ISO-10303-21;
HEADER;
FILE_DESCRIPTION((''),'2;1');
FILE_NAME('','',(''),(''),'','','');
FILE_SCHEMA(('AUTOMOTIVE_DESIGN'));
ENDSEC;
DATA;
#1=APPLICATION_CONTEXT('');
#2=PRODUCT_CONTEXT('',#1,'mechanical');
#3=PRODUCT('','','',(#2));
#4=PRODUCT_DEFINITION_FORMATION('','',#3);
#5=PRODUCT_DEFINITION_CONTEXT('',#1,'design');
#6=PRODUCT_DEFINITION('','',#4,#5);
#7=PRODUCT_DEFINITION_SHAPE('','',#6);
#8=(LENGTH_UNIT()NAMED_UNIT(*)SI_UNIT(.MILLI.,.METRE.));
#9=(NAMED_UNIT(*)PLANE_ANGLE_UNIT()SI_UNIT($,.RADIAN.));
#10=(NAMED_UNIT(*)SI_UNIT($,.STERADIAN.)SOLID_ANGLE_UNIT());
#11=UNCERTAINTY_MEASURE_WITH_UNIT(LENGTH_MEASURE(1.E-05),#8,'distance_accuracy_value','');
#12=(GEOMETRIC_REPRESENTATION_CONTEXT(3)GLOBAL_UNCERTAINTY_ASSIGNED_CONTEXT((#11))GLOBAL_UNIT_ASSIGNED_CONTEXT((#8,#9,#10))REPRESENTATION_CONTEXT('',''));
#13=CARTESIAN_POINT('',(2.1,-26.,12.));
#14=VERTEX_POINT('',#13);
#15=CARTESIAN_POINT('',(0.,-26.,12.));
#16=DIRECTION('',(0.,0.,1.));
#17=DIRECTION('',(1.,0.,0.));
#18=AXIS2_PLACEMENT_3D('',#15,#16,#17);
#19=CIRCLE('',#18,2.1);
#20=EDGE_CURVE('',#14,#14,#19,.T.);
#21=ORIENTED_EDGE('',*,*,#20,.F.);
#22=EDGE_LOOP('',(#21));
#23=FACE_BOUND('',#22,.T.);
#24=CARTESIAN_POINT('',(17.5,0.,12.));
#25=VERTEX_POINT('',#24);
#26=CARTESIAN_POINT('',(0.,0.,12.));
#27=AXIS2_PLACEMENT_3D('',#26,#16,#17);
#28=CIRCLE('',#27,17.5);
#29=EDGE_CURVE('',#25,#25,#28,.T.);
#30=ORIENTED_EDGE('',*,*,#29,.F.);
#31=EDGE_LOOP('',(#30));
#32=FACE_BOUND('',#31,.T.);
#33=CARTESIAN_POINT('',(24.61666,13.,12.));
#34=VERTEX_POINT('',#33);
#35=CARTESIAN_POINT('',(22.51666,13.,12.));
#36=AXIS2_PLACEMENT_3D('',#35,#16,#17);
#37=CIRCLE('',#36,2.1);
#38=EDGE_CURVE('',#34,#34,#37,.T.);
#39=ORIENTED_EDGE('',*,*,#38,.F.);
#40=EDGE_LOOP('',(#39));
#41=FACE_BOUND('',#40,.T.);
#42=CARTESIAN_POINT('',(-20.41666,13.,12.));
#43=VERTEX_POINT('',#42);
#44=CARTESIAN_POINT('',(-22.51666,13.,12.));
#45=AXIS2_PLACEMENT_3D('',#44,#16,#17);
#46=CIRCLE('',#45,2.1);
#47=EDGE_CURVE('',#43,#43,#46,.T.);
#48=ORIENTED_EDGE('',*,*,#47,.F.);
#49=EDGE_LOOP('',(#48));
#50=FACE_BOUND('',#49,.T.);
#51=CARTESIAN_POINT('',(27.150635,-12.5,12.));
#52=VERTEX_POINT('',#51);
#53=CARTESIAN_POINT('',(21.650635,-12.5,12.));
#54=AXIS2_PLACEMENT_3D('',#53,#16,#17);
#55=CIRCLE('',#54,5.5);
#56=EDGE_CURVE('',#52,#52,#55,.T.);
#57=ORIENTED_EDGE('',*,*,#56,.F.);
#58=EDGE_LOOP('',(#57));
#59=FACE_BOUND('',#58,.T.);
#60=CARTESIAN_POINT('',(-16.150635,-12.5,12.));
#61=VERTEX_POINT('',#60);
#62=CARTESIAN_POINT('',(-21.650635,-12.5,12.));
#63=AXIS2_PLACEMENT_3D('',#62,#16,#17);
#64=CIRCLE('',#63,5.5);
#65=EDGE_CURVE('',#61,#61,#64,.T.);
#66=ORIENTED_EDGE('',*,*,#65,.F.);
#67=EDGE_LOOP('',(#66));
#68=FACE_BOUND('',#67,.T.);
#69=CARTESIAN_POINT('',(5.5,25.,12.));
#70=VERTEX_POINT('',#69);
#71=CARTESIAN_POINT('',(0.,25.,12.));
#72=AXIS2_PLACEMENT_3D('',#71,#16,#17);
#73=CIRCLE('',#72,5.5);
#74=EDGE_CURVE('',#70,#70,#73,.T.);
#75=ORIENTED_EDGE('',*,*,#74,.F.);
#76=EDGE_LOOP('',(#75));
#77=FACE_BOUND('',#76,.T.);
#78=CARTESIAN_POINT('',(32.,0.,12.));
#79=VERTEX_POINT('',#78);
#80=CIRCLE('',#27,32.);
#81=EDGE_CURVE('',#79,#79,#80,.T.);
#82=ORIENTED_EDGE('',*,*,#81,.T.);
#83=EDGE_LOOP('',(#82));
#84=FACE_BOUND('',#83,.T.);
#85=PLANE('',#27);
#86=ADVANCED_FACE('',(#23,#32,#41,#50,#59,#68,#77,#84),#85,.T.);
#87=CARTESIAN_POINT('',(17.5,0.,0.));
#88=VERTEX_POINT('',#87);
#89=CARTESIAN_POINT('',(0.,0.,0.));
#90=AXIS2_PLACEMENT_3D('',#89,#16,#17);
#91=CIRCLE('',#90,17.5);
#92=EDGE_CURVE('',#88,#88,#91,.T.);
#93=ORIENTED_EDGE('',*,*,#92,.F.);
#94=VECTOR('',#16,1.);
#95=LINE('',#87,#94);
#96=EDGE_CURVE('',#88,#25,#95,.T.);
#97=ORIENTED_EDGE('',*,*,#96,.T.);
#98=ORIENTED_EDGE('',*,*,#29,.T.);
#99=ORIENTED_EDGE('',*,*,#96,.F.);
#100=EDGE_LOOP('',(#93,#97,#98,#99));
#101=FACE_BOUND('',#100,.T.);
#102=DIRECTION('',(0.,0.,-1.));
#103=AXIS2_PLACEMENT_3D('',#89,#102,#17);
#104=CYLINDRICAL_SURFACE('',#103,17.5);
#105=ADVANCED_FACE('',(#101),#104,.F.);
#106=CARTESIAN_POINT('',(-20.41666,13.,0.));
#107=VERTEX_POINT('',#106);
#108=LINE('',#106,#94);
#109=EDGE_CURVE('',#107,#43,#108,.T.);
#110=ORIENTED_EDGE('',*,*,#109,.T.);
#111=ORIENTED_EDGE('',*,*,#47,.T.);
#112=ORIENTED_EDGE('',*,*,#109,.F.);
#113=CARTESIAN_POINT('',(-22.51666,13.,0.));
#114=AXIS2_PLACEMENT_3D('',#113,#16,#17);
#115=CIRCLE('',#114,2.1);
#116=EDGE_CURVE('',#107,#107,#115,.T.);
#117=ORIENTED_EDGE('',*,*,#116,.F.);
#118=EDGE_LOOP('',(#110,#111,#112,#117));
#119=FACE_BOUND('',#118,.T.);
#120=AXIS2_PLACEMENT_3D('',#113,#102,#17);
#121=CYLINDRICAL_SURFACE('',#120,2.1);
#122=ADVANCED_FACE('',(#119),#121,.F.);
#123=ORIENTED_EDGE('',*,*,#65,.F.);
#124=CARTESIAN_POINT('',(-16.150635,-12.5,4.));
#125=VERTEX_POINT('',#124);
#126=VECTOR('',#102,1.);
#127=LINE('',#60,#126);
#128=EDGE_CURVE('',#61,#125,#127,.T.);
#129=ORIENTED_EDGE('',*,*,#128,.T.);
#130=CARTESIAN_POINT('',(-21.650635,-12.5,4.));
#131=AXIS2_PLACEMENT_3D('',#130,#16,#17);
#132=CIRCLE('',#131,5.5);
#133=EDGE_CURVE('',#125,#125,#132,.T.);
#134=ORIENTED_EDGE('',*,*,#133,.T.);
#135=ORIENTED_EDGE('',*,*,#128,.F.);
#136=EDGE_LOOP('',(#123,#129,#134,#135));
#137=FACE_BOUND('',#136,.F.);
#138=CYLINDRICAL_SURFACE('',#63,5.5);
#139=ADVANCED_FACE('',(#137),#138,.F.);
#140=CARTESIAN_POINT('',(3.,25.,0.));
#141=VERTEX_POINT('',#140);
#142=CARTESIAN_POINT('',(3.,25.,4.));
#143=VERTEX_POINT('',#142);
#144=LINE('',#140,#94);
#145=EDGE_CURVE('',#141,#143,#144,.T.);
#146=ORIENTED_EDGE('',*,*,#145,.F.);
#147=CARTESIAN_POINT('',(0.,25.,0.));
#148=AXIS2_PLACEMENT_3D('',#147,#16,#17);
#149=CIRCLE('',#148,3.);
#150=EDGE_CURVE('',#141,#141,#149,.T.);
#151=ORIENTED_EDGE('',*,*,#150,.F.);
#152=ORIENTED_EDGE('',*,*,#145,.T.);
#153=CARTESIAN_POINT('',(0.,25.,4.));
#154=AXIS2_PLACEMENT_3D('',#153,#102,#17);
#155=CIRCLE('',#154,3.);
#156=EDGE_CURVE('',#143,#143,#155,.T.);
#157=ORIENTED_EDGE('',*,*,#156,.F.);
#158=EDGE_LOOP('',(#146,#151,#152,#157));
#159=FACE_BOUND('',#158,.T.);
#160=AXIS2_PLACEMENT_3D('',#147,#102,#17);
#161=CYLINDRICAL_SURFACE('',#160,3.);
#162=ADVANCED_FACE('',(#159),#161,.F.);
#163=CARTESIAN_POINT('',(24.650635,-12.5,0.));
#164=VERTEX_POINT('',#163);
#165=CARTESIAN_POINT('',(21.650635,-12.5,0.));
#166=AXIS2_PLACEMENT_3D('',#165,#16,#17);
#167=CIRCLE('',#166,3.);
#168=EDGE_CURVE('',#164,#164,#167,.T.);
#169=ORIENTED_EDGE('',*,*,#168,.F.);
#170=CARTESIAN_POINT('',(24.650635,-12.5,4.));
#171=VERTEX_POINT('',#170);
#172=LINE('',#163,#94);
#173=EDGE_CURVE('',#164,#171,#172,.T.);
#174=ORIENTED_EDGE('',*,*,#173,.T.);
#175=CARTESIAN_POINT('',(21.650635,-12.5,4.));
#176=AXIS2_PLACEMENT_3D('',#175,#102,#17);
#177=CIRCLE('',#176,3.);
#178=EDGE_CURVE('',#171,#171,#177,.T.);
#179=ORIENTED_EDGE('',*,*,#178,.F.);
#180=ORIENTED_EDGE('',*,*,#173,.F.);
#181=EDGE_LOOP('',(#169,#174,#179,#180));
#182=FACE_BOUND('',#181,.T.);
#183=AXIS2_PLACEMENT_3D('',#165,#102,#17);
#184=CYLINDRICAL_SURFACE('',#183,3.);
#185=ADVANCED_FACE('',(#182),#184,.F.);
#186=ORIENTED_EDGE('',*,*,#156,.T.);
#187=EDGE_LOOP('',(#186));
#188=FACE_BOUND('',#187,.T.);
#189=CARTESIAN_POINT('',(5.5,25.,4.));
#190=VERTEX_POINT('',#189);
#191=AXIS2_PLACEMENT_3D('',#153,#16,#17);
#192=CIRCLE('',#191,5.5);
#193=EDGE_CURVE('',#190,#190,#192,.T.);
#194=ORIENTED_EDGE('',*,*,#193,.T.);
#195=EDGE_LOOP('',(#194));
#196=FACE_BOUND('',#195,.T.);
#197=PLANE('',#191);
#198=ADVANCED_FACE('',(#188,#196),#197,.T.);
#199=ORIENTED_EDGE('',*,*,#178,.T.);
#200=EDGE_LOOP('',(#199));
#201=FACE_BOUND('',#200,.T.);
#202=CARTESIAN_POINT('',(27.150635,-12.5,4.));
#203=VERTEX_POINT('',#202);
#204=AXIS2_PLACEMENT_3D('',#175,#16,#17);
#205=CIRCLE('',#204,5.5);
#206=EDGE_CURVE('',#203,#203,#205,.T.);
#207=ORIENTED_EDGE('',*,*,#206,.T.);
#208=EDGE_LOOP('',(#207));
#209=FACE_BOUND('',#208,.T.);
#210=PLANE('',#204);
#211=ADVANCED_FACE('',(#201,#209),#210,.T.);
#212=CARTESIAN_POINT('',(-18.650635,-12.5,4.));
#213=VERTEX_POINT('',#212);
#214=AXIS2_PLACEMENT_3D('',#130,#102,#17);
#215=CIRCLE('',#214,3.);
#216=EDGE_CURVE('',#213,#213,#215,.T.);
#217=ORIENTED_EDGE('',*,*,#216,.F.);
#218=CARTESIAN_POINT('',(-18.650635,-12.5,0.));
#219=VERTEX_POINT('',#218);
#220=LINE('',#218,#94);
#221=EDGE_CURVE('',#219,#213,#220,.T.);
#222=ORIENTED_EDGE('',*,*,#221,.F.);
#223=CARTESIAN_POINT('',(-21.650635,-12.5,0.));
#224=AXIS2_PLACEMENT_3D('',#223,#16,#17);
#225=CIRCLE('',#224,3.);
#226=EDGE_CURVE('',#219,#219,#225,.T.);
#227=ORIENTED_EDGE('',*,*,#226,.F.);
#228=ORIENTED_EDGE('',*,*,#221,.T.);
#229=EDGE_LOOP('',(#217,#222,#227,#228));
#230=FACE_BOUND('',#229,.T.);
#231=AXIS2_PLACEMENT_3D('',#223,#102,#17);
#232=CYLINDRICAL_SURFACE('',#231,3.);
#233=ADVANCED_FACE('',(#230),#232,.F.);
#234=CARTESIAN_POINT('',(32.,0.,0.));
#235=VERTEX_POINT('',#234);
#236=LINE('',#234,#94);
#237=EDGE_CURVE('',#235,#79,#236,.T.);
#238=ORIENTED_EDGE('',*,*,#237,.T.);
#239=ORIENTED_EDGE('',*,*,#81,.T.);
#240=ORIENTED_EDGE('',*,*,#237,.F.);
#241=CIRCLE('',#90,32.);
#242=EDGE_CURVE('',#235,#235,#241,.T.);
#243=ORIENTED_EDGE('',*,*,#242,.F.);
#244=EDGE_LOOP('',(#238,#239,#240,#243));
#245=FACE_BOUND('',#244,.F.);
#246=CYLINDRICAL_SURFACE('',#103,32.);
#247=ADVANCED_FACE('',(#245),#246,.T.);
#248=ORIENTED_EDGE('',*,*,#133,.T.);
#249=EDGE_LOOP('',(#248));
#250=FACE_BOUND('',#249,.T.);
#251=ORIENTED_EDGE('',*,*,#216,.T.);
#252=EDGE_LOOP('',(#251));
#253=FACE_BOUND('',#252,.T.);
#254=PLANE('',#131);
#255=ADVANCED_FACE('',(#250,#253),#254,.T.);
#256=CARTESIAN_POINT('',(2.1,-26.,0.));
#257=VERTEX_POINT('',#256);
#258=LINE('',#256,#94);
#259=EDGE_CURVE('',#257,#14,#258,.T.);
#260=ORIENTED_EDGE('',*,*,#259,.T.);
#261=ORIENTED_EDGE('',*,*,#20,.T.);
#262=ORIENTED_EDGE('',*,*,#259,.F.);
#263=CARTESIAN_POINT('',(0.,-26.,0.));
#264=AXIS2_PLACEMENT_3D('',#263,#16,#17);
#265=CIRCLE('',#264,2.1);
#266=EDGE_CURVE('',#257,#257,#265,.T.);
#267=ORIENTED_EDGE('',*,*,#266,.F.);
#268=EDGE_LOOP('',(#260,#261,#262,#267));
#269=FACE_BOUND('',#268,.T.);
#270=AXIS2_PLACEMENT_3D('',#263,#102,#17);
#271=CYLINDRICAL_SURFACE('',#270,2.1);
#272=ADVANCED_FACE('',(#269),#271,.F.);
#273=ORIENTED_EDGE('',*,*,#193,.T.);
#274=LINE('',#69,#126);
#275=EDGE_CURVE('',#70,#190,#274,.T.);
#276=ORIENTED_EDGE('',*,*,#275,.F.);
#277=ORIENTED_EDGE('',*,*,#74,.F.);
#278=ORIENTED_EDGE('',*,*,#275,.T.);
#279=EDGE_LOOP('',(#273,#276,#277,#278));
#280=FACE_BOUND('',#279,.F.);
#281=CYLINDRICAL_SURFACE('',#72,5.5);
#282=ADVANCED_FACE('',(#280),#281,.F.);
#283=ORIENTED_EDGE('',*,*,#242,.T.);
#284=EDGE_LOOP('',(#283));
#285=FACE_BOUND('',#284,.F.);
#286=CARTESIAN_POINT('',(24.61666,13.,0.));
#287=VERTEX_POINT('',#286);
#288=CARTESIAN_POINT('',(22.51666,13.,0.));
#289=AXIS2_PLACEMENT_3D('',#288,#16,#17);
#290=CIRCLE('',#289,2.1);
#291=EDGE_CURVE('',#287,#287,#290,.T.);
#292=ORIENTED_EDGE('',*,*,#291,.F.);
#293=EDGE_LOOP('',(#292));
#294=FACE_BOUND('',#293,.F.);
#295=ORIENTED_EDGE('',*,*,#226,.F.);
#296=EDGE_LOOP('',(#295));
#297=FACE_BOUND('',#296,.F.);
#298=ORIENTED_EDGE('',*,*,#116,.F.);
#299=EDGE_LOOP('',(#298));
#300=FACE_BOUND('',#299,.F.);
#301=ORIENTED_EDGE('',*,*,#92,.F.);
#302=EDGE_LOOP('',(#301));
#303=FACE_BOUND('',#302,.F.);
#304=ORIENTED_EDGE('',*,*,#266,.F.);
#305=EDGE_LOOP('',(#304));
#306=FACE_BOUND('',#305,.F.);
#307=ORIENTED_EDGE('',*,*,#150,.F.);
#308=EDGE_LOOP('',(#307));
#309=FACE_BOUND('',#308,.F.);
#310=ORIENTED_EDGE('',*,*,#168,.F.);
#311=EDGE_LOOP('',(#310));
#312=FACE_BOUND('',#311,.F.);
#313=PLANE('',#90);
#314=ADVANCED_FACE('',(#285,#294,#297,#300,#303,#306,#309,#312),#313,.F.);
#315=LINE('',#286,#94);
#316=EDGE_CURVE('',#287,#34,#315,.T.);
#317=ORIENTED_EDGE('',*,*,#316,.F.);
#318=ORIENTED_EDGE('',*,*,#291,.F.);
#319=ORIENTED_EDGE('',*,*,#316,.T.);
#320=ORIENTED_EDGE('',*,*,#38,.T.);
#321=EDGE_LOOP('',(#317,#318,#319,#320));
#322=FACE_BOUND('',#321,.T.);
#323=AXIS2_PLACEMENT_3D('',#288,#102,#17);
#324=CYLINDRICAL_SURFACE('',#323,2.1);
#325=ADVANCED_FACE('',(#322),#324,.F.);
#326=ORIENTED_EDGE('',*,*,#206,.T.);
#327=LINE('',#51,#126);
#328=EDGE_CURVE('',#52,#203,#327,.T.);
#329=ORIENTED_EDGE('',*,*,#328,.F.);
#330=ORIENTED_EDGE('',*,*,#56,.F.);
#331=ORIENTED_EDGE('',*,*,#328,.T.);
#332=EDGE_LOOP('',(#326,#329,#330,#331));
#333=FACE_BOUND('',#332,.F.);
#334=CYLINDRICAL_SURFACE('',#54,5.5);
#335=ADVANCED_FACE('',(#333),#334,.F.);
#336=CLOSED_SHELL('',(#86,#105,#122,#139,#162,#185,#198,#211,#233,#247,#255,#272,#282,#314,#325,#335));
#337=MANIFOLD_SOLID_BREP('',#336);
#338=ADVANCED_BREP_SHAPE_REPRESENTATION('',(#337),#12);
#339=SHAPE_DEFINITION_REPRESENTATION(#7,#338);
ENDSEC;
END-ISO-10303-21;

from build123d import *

# Parameters (mm, degrees)
SKETCH_R     = 32
SKETCH_R_2   = 2.1
SKETCH_R_3   = 3
SKETCH_R_4   = 17.5
PAD_DEPTH    = 12
SKETCH001_R  = 5.5
POCKET_DEPTH = 8


with BuildPart() as part:
    # Sketch → Pad (new body)
    with BuildSketch(Plane.XY):
        Circle(SKETCH_R)
        with Locations((0, -26)):
            Circle(SKETCH_R_2, mode=Mode.SUBTRACT)
        with Locations((-22.51666, 13)):
            Circle(SKETCH_R_2, mode=Mode.SUBTRACT)
        with Locations((22.51666, 13)):
            Circle(SKETCH_R_2, mode=Mode.SUBTRACT)
        with Locations((0, 25)):
            Circle(SKETCH_R_3, mode=Mode.SUBTRACT)
        with Locations((-21.650635, -12.5)):
            Circle(SKETCH_R_3, mode=Mode.SUBTRACT)
        with Locations((21.650635, -12.5)):
            Circle(SKETCH_R_3, mode=Mode.SUBTRACT)
        Circle(SKETCH_R_4, mode=Mode.SUBTRACT)
    extrude(amount=PAD_DEPTH)

    # Sketch001 (on Face10 of Pad) → Pocket (cut)
    with BuildSketch(Plane.XY.offset(12)):
        with Locations((0, 25)):
            Circle(SKETCH001_R)
        with Locations((-21.650635, -12.5)):
            Circle(SKETCH001_R)
        with Locations((21.650635, -12.5)):
            Circle(SKETCH001_R)
    extrude(amount=-POCKET_DEPTH, mode=Mode.SUBTRACT)


solid = part.part
